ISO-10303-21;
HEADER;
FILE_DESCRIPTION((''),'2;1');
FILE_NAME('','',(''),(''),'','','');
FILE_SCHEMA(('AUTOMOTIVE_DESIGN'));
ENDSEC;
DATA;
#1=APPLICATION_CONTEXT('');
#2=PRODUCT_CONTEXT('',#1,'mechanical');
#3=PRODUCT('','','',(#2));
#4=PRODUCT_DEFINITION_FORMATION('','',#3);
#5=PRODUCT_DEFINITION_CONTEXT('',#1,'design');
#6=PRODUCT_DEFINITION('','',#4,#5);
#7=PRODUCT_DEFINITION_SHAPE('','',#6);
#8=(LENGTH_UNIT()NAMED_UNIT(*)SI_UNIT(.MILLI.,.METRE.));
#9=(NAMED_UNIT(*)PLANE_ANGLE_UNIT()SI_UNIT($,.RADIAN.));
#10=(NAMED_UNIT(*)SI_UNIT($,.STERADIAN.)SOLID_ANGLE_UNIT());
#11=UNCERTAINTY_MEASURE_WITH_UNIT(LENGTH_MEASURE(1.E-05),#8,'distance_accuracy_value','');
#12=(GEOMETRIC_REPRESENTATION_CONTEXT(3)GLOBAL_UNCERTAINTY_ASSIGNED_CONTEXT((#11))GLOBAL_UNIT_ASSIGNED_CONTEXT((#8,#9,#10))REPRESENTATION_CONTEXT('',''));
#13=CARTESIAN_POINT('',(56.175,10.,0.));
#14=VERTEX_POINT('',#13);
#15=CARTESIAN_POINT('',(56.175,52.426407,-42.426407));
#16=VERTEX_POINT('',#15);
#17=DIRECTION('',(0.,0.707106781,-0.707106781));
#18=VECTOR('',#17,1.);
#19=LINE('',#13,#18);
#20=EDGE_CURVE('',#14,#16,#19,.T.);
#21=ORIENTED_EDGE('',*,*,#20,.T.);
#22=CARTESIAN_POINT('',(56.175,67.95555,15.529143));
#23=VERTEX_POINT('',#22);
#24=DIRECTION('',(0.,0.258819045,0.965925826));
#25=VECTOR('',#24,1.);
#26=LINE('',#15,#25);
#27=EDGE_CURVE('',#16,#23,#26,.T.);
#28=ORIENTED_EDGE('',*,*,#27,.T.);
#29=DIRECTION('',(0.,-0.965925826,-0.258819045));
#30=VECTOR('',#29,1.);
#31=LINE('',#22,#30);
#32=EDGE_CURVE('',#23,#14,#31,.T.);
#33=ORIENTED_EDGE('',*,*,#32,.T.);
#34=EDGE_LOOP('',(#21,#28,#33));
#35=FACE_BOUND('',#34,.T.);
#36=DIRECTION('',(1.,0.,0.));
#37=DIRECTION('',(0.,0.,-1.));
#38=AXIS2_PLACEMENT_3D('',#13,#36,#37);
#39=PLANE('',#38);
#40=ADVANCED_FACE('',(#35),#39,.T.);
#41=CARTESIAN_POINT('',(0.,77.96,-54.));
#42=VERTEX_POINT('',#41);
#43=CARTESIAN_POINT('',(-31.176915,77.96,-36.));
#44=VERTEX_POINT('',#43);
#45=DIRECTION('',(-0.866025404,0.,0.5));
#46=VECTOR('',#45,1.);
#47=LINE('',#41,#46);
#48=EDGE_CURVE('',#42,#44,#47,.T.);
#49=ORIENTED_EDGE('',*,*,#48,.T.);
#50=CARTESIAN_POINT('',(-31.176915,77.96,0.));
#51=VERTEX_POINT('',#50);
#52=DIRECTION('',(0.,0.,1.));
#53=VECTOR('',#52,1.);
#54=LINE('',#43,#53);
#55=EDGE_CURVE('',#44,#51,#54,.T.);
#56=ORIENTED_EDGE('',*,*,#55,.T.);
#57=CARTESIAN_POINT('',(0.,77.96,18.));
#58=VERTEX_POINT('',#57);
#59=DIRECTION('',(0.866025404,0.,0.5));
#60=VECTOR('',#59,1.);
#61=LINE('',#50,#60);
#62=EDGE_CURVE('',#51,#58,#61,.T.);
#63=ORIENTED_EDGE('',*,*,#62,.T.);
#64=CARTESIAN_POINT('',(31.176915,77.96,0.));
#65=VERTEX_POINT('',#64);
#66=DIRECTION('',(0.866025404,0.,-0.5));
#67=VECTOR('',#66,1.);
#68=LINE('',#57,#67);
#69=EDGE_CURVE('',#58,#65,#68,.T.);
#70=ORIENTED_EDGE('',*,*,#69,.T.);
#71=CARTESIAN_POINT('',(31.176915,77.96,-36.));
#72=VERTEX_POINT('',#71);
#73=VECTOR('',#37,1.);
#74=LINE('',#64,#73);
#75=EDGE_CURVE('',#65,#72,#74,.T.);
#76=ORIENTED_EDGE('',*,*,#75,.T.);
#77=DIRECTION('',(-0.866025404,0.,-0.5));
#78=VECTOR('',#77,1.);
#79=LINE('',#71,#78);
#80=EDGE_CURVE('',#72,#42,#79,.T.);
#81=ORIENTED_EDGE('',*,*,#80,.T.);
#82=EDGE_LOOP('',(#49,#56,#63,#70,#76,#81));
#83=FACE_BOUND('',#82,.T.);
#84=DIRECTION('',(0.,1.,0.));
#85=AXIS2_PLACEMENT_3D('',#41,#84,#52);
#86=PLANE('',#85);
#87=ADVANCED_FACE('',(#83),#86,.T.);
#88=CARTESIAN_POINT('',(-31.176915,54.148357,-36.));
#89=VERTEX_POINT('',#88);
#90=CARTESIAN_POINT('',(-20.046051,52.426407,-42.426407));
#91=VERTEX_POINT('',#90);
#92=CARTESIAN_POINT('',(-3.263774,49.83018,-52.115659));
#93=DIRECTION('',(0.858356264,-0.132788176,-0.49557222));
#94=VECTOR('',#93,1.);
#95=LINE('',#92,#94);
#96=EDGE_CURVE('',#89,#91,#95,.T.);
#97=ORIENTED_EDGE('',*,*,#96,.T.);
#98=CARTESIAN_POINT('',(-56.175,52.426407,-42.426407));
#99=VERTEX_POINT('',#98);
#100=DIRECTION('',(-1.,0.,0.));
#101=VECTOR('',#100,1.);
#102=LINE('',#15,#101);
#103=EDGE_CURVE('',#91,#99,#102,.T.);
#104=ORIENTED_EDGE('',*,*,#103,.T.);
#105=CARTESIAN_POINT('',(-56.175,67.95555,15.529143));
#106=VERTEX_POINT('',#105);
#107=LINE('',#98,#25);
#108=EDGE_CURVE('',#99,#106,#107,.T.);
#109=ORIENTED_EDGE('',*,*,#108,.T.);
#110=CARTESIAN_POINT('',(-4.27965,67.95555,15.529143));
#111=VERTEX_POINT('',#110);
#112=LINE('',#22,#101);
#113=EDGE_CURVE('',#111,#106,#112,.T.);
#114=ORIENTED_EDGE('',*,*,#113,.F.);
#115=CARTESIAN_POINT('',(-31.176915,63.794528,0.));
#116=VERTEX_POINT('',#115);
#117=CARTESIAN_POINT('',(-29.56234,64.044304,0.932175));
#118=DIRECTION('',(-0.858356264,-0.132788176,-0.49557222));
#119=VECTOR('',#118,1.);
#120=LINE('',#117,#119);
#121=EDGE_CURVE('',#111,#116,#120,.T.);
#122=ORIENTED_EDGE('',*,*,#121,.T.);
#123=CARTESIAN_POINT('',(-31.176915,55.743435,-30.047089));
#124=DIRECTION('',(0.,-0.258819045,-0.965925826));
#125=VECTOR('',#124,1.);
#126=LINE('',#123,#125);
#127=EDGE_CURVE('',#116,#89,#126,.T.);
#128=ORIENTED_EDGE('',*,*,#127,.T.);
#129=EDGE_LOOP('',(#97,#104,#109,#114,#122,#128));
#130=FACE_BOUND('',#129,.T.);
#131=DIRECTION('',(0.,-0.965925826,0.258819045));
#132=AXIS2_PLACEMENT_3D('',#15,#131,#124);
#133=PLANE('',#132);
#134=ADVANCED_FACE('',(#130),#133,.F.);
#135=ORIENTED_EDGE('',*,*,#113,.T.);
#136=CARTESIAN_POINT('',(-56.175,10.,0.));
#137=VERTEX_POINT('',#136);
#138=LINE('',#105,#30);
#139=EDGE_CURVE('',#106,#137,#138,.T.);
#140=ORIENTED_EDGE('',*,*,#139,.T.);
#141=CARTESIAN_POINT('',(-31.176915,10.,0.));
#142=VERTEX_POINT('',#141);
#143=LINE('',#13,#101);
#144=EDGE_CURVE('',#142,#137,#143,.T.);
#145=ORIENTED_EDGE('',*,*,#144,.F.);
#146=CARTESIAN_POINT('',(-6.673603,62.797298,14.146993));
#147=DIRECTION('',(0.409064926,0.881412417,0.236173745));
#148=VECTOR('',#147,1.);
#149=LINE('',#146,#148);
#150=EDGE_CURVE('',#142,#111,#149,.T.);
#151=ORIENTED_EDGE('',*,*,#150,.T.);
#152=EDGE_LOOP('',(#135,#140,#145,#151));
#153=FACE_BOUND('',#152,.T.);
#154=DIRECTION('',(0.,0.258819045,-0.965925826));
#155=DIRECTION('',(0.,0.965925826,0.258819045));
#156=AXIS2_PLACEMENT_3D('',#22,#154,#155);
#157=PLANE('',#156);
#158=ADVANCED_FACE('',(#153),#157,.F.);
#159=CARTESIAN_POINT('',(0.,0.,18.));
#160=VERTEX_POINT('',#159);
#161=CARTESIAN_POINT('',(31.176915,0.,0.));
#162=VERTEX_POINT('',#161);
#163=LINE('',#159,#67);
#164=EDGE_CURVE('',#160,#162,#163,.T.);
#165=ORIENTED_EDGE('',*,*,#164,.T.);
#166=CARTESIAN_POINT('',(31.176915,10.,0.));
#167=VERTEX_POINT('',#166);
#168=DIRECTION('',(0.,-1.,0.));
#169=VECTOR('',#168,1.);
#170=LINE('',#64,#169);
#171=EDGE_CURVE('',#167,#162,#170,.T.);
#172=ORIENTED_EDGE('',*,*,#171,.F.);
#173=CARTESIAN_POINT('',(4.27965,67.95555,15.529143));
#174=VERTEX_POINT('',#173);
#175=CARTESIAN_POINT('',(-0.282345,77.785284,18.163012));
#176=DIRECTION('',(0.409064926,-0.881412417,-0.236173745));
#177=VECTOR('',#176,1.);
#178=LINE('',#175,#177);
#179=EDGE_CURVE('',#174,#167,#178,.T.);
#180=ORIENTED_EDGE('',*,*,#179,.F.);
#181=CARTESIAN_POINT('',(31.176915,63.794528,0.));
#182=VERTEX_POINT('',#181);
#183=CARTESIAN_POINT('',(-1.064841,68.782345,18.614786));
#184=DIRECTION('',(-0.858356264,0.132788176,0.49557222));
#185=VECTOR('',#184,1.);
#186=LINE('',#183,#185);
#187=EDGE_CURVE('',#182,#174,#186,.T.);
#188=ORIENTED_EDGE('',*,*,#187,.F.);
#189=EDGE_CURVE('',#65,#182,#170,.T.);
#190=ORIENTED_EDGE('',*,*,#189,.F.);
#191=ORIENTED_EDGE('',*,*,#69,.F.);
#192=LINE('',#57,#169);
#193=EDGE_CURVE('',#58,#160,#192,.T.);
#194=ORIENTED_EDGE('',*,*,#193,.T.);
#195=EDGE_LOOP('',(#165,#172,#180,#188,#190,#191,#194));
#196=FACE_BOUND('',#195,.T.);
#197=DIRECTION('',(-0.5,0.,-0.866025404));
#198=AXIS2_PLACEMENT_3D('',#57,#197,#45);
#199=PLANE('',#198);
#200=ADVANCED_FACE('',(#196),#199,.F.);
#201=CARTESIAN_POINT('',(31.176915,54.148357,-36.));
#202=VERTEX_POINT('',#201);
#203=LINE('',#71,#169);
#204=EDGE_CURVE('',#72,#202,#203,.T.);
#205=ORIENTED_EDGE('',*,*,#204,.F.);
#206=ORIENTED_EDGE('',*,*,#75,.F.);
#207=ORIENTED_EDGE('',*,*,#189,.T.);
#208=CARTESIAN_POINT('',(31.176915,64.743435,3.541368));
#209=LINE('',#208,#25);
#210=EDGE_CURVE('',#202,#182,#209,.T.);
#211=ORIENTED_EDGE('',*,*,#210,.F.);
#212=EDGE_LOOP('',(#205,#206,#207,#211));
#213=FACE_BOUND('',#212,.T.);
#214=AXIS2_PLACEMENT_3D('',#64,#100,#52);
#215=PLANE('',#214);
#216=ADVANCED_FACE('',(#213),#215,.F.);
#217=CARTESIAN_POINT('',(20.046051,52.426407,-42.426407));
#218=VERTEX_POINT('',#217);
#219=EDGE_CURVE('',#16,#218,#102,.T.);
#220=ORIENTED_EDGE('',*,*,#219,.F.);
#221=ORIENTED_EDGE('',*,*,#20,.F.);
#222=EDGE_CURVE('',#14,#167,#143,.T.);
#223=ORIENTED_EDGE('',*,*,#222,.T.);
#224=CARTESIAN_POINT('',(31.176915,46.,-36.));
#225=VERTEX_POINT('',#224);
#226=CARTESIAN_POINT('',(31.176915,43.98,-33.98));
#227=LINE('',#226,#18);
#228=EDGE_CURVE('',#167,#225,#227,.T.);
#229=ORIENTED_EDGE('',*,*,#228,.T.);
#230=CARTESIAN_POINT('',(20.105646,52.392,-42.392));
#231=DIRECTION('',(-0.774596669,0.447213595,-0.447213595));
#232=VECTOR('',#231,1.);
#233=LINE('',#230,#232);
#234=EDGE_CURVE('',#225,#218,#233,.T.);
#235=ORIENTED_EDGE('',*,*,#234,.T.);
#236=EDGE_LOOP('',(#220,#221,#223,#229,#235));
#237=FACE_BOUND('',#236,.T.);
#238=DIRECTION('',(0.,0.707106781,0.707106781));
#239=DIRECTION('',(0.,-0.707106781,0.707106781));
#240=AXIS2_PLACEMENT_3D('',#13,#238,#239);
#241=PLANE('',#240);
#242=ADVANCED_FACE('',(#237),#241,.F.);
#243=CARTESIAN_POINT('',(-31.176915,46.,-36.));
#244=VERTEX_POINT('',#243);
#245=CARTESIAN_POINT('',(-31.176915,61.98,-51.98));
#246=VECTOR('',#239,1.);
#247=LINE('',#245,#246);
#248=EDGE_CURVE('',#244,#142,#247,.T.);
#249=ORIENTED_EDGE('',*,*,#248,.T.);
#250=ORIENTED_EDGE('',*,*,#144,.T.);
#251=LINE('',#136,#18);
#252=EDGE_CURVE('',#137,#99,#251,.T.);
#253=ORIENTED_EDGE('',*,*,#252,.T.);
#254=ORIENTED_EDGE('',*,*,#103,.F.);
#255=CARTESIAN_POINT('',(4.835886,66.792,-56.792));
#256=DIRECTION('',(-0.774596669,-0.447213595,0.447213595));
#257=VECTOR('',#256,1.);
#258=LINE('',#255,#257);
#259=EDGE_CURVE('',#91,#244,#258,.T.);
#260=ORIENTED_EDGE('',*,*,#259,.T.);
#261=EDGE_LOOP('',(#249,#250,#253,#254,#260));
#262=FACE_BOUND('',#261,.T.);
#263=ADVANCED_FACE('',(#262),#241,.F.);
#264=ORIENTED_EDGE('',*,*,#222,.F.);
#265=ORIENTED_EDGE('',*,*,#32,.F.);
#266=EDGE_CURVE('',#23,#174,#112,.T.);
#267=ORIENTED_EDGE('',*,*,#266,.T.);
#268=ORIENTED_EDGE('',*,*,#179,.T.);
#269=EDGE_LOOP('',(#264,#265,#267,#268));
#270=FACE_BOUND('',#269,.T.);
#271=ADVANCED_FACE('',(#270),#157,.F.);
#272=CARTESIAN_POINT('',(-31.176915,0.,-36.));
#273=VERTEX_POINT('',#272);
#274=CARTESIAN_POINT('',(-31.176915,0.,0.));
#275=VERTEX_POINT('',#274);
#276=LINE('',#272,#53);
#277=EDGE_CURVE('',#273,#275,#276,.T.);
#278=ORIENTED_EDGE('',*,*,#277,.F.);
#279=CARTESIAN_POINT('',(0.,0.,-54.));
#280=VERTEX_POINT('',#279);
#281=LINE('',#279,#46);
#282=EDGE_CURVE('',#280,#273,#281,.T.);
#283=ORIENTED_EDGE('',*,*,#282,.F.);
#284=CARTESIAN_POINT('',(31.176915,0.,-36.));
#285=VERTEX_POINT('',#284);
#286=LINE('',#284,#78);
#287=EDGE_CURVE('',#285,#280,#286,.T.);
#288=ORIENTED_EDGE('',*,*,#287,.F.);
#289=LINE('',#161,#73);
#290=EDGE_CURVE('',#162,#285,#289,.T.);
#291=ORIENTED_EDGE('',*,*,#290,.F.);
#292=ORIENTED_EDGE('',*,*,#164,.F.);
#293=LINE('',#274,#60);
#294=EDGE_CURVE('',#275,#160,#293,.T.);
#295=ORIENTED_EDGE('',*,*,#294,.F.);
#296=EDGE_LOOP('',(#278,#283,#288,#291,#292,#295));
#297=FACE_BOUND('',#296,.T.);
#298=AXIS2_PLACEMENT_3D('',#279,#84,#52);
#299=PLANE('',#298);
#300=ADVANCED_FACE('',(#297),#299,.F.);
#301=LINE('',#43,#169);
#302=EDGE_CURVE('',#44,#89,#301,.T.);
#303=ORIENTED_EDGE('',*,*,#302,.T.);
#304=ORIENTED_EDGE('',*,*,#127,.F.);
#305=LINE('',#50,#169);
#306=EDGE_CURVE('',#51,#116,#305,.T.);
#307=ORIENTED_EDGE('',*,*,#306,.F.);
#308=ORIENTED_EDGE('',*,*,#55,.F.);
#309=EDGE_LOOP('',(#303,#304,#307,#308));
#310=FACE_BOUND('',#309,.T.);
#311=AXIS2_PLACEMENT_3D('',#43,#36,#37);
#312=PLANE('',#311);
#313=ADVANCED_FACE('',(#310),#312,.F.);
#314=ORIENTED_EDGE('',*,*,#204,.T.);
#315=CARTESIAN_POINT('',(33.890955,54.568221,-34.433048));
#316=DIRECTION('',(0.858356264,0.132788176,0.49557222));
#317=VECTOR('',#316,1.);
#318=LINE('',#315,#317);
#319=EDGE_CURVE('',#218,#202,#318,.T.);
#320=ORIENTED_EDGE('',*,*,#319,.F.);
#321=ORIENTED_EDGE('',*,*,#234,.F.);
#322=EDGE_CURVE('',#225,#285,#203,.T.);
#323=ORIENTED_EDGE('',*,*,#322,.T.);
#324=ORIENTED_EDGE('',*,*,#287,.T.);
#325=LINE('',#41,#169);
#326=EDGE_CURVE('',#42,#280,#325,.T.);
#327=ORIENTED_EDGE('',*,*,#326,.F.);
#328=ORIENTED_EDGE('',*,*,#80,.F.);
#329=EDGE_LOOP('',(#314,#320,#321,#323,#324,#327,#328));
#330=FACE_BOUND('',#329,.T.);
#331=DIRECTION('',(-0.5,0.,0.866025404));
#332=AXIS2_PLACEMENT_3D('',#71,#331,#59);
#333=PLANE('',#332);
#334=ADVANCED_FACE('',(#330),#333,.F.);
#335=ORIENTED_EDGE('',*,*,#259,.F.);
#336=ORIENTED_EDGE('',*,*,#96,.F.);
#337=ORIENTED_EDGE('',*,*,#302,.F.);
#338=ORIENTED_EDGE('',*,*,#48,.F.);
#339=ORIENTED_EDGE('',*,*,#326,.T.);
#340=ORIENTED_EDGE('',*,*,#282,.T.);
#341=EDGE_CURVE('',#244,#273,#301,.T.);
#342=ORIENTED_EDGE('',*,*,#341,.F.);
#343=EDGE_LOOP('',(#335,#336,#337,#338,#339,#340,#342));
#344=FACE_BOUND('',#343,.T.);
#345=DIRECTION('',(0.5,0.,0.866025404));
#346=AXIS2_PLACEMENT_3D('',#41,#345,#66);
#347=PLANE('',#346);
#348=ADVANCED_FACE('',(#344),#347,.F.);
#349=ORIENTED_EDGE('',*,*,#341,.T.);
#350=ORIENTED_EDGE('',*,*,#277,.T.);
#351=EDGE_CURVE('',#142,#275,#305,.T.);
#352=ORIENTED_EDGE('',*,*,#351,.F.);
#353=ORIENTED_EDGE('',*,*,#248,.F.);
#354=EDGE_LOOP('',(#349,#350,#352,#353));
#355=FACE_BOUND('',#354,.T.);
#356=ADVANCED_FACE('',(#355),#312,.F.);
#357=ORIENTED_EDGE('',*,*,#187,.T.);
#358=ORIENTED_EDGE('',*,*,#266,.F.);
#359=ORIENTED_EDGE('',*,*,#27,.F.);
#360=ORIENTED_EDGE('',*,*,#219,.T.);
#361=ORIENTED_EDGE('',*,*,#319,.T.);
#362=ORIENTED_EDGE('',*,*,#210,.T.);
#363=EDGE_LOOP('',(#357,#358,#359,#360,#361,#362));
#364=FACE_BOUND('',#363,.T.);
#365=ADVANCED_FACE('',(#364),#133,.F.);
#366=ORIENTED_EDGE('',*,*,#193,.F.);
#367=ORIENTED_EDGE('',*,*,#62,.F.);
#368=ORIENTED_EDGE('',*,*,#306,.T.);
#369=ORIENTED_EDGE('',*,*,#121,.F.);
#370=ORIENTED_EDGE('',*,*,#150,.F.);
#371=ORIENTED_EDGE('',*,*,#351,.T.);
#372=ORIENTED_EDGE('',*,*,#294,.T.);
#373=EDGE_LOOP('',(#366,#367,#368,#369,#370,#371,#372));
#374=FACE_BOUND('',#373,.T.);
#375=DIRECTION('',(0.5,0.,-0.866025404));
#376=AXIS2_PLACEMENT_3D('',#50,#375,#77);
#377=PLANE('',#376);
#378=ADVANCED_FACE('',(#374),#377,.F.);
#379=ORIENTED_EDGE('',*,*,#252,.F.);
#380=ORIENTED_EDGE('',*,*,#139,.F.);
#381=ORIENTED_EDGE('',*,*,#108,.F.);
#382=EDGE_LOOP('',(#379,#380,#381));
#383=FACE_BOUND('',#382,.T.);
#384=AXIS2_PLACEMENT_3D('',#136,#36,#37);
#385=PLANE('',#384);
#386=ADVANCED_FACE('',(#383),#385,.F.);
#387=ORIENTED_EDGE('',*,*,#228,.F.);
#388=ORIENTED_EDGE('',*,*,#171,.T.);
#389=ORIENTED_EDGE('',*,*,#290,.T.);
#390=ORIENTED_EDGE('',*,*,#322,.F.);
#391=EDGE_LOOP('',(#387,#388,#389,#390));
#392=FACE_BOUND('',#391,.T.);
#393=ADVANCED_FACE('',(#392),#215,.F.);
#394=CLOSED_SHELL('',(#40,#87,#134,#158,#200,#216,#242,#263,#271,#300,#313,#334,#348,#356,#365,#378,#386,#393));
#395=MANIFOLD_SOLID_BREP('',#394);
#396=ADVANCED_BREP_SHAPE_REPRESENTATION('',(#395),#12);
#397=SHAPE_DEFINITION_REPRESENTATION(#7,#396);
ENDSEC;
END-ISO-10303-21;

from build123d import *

# Parameters (mm, degrees)
EXTRUDE1_DEPTH = 77.96
EXTRUDE2_DEPTH = 56.175


with BuildPart() as part:
    # Sketch3 → Extrude1 (new body)
    with BuildSketch(Plane(origin=(0, 0, 0), x_dir=(1, 0, 0), z_dir=(0, 1, 0))):
        Polygon((0, 54), (-31.176914536, 36), (-31.176914536, 0), (0, -18), (31.176914536, 0), (31.176914536, 36), align=None)
    extrude(amount=EXTRUDE1_DEPTH)

    # Sketch2 → Extrude2 (add, symmetric)
    with BuildSketch(Plane(origin=(0, 0, 0), x_dir=(0, 0, -1), z_dir=(1, 0, 0))):
        Polygon((0, 10), (42.426406871, 52.426406871), (-15.529142706, 67.955549577), align=None)
    extrude(amount=EXTRUDE2_DEPTH, both=True)


solid = part.part
